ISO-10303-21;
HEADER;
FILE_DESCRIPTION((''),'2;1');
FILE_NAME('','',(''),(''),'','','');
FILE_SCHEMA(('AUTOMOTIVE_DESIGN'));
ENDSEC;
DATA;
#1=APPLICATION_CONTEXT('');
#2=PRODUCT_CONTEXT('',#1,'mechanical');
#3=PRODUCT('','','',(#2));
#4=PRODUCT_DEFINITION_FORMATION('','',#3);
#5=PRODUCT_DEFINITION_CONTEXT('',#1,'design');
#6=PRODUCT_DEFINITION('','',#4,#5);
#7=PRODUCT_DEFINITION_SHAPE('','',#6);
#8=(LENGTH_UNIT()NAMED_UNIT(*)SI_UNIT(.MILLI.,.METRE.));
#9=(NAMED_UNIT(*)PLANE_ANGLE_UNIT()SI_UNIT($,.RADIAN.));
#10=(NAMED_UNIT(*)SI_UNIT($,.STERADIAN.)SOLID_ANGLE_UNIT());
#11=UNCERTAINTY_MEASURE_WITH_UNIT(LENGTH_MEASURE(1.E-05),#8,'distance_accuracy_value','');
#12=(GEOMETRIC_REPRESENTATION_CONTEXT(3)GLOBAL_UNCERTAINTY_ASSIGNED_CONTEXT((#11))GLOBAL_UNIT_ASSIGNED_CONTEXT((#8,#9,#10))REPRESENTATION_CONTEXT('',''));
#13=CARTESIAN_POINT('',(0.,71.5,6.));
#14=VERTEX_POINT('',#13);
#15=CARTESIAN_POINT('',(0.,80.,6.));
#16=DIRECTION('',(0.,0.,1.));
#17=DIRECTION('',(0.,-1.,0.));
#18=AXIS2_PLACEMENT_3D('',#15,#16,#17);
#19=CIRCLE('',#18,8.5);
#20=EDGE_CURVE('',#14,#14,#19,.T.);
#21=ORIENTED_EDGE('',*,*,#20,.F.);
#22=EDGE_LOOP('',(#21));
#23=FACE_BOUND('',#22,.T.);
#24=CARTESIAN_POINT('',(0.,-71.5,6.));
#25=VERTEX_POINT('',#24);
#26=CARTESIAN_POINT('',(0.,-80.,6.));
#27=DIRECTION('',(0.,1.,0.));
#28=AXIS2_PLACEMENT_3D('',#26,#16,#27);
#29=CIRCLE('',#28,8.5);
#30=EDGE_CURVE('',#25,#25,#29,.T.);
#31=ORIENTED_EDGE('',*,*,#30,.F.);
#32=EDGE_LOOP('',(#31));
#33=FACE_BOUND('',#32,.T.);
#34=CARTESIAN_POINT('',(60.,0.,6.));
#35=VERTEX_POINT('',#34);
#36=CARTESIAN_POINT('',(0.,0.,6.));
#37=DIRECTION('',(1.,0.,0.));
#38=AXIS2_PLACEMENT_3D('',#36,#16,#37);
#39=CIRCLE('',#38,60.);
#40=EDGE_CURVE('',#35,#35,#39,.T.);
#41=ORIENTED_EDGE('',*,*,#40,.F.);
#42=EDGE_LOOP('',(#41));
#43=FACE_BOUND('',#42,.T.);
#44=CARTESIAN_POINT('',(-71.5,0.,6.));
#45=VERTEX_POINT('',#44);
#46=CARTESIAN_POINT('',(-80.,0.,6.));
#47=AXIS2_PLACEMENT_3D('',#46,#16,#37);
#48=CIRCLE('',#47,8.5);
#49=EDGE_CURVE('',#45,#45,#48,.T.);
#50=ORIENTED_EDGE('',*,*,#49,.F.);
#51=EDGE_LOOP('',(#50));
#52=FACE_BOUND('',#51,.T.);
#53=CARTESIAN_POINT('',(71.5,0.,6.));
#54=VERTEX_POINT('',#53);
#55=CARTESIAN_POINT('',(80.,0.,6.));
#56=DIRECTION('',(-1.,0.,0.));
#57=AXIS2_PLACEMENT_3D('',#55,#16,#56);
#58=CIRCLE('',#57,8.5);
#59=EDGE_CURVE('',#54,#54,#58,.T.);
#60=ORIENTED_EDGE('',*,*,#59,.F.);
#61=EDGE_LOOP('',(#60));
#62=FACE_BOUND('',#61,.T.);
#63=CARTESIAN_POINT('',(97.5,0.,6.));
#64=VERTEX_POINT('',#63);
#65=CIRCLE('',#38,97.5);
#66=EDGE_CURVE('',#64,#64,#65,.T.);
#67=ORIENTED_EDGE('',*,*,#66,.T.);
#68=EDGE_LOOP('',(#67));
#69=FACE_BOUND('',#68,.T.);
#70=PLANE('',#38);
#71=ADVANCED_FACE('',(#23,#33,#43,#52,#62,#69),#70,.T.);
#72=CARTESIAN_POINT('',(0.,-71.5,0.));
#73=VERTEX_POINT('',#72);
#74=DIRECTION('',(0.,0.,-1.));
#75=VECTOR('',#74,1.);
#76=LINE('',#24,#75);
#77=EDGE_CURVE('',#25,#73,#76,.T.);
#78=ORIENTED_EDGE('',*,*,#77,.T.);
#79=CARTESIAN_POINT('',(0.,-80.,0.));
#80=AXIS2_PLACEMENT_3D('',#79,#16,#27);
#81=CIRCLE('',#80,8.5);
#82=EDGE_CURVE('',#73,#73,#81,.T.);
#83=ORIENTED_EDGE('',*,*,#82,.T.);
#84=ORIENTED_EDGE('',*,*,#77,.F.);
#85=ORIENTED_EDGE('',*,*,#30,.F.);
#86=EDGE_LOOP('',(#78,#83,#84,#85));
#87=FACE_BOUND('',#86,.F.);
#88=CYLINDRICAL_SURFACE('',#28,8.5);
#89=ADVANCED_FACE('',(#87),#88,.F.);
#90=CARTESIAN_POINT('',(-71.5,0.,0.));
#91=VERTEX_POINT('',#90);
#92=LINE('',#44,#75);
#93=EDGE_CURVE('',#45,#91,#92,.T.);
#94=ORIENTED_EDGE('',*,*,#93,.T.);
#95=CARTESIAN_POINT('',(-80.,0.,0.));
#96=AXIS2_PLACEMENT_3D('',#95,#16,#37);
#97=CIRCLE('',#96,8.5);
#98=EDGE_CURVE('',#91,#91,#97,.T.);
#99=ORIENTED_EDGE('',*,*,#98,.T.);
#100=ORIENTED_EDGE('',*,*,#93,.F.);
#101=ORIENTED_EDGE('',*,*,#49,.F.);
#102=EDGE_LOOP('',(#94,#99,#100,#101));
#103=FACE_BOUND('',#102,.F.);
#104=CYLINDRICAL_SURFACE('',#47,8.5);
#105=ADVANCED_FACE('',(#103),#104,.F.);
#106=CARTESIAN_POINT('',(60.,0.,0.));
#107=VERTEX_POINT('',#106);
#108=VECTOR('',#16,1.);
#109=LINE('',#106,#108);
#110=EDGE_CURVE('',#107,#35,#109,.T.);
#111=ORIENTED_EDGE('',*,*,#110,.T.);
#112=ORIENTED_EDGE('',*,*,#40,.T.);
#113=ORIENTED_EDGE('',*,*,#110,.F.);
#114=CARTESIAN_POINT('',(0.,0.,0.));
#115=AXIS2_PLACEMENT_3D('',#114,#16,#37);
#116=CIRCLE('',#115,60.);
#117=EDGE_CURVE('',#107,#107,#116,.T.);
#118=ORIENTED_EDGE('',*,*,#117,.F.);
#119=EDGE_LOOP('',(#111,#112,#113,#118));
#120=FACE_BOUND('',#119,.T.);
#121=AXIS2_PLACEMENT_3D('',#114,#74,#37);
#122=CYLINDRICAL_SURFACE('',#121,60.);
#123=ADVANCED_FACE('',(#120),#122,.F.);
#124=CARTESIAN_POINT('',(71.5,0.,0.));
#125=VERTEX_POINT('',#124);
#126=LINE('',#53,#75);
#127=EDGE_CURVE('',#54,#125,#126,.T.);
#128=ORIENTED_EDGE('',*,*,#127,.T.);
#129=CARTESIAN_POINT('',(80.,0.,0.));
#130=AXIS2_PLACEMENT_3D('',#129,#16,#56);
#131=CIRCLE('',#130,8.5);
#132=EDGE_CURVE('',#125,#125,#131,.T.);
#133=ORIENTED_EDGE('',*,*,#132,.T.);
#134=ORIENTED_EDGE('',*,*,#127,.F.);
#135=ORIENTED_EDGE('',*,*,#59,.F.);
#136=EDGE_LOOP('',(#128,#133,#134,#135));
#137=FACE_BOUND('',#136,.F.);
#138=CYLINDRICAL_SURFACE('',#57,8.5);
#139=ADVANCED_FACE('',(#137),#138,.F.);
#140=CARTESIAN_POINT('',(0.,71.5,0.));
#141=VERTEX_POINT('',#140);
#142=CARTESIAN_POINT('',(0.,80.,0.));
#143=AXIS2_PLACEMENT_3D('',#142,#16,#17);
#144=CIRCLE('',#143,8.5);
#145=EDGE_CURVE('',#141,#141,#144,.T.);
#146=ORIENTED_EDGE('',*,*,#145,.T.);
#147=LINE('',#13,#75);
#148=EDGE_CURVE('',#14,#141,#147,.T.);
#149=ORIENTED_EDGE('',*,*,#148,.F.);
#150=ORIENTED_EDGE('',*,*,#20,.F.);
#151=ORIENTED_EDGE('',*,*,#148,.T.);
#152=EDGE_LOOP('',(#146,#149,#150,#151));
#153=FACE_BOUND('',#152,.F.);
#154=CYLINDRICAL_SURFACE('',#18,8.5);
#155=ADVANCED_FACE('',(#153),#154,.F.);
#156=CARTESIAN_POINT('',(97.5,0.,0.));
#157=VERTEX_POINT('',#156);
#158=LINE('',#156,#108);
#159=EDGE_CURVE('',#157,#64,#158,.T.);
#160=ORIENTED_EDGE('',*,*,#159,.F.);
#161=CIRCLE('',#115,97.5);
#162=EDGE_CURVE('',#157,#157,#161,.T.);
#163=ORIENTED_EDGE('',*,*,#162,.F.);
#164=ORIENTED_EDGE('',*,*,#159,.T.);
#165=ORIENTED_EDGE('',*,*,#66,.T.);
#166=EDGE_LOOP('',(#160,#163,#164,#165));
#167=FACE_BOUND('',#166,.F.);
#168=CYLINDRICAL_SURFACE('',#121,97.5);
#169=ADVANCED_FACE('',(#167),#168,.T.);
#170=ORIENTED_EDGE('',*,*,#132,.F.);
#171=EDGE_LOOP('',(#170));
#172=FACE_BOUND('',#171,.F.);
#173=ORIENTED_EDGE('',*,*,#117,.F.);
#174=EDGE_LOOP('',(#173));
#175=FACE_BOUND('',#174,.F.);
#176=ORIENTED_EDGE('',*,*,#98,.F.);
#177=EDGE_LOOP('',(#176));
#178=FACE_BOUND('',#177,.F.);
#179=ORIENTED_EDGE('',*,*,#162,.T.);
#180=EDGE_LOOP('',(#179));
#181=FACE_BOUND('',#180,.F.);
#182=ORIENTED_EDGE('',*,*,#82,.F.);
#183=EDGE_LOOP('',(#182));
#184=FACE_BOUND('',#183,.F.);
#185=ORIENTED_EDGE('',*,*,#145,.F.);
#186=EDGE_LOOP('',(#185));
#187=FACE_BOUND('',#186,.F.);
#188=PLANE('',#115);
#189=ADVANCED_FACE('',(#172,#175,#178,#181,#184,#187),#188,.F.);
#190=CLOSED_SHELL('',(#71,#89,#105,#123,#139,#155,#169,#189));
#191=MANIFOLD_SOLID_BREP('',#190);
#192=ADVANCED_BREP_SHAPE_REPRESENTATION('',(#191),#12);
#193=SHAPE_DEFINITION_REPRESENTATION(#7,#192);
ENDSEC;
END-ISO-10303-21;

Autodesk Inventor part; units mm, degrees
ref_plane "YZ Plane" through (0, 0, 0) normal (1, 0, 0) x (0, 1, 0)
ref_plane "XZ Plane" through (0, 0, 0) normal (0, 1, 0) x (-1, 0, 0)
ref_plane "XY Plane" through (0, 0, 0) normal (0, 0, 1) x (1, 0, 0)
sketch "Sketch2" plane through (0, 0, 0) normal (0, 0, 1) x (1, 0, 0)
  circle A0 centre (0, 0) radius 60
  circle A1 centre (0, 0) radius 97.5
  dimension "d25" = 120
  dimension "d27" = 195
extrude "Plate2" add sketch "Sketch2" along normal blind 6
sketch "Sketch3" plane through (0, 0, 6) normal (0, 0, 1) x (1, 0, 0)
  circle A0 centre (-80, 0) radius 8.5
  circle A1 centre (0, 0) radius 80 construction
  dimension "d28" = 160
  dimension "d15" = 17
extrude "Cut1" cut sketch "Sketch3" against normal blind 6
pattern_circular "Circular Pattern1" count 4 over 360 about axis through (0, 0, -10) along (0, 0, 1) of "Cut1"
equation "\"d17\" = Thickness"
equation "\"d14\" = Thickness"
equation "\"BendReliefWidth\" = Thickness"
equation "\"BendReliefDepth\" = 0.5 * Thickness"
equation "\"CornerReliefSize\" = 4 * Thickness"
equation "\"MinimumRemnant\" = 2 * Thickness"
equation "\"TransitionRadius\" = BendRadius"
equation "\"JacobiRadiusSize\" = BendRadius"
equation "\"GapSize\" = Thickness"
equation "\"Thickness\" = 6"
equation "\"BendRadius\" = 6"
properties part number "PRS 9431 FDS flange DN90_D1200" material "Steel"
